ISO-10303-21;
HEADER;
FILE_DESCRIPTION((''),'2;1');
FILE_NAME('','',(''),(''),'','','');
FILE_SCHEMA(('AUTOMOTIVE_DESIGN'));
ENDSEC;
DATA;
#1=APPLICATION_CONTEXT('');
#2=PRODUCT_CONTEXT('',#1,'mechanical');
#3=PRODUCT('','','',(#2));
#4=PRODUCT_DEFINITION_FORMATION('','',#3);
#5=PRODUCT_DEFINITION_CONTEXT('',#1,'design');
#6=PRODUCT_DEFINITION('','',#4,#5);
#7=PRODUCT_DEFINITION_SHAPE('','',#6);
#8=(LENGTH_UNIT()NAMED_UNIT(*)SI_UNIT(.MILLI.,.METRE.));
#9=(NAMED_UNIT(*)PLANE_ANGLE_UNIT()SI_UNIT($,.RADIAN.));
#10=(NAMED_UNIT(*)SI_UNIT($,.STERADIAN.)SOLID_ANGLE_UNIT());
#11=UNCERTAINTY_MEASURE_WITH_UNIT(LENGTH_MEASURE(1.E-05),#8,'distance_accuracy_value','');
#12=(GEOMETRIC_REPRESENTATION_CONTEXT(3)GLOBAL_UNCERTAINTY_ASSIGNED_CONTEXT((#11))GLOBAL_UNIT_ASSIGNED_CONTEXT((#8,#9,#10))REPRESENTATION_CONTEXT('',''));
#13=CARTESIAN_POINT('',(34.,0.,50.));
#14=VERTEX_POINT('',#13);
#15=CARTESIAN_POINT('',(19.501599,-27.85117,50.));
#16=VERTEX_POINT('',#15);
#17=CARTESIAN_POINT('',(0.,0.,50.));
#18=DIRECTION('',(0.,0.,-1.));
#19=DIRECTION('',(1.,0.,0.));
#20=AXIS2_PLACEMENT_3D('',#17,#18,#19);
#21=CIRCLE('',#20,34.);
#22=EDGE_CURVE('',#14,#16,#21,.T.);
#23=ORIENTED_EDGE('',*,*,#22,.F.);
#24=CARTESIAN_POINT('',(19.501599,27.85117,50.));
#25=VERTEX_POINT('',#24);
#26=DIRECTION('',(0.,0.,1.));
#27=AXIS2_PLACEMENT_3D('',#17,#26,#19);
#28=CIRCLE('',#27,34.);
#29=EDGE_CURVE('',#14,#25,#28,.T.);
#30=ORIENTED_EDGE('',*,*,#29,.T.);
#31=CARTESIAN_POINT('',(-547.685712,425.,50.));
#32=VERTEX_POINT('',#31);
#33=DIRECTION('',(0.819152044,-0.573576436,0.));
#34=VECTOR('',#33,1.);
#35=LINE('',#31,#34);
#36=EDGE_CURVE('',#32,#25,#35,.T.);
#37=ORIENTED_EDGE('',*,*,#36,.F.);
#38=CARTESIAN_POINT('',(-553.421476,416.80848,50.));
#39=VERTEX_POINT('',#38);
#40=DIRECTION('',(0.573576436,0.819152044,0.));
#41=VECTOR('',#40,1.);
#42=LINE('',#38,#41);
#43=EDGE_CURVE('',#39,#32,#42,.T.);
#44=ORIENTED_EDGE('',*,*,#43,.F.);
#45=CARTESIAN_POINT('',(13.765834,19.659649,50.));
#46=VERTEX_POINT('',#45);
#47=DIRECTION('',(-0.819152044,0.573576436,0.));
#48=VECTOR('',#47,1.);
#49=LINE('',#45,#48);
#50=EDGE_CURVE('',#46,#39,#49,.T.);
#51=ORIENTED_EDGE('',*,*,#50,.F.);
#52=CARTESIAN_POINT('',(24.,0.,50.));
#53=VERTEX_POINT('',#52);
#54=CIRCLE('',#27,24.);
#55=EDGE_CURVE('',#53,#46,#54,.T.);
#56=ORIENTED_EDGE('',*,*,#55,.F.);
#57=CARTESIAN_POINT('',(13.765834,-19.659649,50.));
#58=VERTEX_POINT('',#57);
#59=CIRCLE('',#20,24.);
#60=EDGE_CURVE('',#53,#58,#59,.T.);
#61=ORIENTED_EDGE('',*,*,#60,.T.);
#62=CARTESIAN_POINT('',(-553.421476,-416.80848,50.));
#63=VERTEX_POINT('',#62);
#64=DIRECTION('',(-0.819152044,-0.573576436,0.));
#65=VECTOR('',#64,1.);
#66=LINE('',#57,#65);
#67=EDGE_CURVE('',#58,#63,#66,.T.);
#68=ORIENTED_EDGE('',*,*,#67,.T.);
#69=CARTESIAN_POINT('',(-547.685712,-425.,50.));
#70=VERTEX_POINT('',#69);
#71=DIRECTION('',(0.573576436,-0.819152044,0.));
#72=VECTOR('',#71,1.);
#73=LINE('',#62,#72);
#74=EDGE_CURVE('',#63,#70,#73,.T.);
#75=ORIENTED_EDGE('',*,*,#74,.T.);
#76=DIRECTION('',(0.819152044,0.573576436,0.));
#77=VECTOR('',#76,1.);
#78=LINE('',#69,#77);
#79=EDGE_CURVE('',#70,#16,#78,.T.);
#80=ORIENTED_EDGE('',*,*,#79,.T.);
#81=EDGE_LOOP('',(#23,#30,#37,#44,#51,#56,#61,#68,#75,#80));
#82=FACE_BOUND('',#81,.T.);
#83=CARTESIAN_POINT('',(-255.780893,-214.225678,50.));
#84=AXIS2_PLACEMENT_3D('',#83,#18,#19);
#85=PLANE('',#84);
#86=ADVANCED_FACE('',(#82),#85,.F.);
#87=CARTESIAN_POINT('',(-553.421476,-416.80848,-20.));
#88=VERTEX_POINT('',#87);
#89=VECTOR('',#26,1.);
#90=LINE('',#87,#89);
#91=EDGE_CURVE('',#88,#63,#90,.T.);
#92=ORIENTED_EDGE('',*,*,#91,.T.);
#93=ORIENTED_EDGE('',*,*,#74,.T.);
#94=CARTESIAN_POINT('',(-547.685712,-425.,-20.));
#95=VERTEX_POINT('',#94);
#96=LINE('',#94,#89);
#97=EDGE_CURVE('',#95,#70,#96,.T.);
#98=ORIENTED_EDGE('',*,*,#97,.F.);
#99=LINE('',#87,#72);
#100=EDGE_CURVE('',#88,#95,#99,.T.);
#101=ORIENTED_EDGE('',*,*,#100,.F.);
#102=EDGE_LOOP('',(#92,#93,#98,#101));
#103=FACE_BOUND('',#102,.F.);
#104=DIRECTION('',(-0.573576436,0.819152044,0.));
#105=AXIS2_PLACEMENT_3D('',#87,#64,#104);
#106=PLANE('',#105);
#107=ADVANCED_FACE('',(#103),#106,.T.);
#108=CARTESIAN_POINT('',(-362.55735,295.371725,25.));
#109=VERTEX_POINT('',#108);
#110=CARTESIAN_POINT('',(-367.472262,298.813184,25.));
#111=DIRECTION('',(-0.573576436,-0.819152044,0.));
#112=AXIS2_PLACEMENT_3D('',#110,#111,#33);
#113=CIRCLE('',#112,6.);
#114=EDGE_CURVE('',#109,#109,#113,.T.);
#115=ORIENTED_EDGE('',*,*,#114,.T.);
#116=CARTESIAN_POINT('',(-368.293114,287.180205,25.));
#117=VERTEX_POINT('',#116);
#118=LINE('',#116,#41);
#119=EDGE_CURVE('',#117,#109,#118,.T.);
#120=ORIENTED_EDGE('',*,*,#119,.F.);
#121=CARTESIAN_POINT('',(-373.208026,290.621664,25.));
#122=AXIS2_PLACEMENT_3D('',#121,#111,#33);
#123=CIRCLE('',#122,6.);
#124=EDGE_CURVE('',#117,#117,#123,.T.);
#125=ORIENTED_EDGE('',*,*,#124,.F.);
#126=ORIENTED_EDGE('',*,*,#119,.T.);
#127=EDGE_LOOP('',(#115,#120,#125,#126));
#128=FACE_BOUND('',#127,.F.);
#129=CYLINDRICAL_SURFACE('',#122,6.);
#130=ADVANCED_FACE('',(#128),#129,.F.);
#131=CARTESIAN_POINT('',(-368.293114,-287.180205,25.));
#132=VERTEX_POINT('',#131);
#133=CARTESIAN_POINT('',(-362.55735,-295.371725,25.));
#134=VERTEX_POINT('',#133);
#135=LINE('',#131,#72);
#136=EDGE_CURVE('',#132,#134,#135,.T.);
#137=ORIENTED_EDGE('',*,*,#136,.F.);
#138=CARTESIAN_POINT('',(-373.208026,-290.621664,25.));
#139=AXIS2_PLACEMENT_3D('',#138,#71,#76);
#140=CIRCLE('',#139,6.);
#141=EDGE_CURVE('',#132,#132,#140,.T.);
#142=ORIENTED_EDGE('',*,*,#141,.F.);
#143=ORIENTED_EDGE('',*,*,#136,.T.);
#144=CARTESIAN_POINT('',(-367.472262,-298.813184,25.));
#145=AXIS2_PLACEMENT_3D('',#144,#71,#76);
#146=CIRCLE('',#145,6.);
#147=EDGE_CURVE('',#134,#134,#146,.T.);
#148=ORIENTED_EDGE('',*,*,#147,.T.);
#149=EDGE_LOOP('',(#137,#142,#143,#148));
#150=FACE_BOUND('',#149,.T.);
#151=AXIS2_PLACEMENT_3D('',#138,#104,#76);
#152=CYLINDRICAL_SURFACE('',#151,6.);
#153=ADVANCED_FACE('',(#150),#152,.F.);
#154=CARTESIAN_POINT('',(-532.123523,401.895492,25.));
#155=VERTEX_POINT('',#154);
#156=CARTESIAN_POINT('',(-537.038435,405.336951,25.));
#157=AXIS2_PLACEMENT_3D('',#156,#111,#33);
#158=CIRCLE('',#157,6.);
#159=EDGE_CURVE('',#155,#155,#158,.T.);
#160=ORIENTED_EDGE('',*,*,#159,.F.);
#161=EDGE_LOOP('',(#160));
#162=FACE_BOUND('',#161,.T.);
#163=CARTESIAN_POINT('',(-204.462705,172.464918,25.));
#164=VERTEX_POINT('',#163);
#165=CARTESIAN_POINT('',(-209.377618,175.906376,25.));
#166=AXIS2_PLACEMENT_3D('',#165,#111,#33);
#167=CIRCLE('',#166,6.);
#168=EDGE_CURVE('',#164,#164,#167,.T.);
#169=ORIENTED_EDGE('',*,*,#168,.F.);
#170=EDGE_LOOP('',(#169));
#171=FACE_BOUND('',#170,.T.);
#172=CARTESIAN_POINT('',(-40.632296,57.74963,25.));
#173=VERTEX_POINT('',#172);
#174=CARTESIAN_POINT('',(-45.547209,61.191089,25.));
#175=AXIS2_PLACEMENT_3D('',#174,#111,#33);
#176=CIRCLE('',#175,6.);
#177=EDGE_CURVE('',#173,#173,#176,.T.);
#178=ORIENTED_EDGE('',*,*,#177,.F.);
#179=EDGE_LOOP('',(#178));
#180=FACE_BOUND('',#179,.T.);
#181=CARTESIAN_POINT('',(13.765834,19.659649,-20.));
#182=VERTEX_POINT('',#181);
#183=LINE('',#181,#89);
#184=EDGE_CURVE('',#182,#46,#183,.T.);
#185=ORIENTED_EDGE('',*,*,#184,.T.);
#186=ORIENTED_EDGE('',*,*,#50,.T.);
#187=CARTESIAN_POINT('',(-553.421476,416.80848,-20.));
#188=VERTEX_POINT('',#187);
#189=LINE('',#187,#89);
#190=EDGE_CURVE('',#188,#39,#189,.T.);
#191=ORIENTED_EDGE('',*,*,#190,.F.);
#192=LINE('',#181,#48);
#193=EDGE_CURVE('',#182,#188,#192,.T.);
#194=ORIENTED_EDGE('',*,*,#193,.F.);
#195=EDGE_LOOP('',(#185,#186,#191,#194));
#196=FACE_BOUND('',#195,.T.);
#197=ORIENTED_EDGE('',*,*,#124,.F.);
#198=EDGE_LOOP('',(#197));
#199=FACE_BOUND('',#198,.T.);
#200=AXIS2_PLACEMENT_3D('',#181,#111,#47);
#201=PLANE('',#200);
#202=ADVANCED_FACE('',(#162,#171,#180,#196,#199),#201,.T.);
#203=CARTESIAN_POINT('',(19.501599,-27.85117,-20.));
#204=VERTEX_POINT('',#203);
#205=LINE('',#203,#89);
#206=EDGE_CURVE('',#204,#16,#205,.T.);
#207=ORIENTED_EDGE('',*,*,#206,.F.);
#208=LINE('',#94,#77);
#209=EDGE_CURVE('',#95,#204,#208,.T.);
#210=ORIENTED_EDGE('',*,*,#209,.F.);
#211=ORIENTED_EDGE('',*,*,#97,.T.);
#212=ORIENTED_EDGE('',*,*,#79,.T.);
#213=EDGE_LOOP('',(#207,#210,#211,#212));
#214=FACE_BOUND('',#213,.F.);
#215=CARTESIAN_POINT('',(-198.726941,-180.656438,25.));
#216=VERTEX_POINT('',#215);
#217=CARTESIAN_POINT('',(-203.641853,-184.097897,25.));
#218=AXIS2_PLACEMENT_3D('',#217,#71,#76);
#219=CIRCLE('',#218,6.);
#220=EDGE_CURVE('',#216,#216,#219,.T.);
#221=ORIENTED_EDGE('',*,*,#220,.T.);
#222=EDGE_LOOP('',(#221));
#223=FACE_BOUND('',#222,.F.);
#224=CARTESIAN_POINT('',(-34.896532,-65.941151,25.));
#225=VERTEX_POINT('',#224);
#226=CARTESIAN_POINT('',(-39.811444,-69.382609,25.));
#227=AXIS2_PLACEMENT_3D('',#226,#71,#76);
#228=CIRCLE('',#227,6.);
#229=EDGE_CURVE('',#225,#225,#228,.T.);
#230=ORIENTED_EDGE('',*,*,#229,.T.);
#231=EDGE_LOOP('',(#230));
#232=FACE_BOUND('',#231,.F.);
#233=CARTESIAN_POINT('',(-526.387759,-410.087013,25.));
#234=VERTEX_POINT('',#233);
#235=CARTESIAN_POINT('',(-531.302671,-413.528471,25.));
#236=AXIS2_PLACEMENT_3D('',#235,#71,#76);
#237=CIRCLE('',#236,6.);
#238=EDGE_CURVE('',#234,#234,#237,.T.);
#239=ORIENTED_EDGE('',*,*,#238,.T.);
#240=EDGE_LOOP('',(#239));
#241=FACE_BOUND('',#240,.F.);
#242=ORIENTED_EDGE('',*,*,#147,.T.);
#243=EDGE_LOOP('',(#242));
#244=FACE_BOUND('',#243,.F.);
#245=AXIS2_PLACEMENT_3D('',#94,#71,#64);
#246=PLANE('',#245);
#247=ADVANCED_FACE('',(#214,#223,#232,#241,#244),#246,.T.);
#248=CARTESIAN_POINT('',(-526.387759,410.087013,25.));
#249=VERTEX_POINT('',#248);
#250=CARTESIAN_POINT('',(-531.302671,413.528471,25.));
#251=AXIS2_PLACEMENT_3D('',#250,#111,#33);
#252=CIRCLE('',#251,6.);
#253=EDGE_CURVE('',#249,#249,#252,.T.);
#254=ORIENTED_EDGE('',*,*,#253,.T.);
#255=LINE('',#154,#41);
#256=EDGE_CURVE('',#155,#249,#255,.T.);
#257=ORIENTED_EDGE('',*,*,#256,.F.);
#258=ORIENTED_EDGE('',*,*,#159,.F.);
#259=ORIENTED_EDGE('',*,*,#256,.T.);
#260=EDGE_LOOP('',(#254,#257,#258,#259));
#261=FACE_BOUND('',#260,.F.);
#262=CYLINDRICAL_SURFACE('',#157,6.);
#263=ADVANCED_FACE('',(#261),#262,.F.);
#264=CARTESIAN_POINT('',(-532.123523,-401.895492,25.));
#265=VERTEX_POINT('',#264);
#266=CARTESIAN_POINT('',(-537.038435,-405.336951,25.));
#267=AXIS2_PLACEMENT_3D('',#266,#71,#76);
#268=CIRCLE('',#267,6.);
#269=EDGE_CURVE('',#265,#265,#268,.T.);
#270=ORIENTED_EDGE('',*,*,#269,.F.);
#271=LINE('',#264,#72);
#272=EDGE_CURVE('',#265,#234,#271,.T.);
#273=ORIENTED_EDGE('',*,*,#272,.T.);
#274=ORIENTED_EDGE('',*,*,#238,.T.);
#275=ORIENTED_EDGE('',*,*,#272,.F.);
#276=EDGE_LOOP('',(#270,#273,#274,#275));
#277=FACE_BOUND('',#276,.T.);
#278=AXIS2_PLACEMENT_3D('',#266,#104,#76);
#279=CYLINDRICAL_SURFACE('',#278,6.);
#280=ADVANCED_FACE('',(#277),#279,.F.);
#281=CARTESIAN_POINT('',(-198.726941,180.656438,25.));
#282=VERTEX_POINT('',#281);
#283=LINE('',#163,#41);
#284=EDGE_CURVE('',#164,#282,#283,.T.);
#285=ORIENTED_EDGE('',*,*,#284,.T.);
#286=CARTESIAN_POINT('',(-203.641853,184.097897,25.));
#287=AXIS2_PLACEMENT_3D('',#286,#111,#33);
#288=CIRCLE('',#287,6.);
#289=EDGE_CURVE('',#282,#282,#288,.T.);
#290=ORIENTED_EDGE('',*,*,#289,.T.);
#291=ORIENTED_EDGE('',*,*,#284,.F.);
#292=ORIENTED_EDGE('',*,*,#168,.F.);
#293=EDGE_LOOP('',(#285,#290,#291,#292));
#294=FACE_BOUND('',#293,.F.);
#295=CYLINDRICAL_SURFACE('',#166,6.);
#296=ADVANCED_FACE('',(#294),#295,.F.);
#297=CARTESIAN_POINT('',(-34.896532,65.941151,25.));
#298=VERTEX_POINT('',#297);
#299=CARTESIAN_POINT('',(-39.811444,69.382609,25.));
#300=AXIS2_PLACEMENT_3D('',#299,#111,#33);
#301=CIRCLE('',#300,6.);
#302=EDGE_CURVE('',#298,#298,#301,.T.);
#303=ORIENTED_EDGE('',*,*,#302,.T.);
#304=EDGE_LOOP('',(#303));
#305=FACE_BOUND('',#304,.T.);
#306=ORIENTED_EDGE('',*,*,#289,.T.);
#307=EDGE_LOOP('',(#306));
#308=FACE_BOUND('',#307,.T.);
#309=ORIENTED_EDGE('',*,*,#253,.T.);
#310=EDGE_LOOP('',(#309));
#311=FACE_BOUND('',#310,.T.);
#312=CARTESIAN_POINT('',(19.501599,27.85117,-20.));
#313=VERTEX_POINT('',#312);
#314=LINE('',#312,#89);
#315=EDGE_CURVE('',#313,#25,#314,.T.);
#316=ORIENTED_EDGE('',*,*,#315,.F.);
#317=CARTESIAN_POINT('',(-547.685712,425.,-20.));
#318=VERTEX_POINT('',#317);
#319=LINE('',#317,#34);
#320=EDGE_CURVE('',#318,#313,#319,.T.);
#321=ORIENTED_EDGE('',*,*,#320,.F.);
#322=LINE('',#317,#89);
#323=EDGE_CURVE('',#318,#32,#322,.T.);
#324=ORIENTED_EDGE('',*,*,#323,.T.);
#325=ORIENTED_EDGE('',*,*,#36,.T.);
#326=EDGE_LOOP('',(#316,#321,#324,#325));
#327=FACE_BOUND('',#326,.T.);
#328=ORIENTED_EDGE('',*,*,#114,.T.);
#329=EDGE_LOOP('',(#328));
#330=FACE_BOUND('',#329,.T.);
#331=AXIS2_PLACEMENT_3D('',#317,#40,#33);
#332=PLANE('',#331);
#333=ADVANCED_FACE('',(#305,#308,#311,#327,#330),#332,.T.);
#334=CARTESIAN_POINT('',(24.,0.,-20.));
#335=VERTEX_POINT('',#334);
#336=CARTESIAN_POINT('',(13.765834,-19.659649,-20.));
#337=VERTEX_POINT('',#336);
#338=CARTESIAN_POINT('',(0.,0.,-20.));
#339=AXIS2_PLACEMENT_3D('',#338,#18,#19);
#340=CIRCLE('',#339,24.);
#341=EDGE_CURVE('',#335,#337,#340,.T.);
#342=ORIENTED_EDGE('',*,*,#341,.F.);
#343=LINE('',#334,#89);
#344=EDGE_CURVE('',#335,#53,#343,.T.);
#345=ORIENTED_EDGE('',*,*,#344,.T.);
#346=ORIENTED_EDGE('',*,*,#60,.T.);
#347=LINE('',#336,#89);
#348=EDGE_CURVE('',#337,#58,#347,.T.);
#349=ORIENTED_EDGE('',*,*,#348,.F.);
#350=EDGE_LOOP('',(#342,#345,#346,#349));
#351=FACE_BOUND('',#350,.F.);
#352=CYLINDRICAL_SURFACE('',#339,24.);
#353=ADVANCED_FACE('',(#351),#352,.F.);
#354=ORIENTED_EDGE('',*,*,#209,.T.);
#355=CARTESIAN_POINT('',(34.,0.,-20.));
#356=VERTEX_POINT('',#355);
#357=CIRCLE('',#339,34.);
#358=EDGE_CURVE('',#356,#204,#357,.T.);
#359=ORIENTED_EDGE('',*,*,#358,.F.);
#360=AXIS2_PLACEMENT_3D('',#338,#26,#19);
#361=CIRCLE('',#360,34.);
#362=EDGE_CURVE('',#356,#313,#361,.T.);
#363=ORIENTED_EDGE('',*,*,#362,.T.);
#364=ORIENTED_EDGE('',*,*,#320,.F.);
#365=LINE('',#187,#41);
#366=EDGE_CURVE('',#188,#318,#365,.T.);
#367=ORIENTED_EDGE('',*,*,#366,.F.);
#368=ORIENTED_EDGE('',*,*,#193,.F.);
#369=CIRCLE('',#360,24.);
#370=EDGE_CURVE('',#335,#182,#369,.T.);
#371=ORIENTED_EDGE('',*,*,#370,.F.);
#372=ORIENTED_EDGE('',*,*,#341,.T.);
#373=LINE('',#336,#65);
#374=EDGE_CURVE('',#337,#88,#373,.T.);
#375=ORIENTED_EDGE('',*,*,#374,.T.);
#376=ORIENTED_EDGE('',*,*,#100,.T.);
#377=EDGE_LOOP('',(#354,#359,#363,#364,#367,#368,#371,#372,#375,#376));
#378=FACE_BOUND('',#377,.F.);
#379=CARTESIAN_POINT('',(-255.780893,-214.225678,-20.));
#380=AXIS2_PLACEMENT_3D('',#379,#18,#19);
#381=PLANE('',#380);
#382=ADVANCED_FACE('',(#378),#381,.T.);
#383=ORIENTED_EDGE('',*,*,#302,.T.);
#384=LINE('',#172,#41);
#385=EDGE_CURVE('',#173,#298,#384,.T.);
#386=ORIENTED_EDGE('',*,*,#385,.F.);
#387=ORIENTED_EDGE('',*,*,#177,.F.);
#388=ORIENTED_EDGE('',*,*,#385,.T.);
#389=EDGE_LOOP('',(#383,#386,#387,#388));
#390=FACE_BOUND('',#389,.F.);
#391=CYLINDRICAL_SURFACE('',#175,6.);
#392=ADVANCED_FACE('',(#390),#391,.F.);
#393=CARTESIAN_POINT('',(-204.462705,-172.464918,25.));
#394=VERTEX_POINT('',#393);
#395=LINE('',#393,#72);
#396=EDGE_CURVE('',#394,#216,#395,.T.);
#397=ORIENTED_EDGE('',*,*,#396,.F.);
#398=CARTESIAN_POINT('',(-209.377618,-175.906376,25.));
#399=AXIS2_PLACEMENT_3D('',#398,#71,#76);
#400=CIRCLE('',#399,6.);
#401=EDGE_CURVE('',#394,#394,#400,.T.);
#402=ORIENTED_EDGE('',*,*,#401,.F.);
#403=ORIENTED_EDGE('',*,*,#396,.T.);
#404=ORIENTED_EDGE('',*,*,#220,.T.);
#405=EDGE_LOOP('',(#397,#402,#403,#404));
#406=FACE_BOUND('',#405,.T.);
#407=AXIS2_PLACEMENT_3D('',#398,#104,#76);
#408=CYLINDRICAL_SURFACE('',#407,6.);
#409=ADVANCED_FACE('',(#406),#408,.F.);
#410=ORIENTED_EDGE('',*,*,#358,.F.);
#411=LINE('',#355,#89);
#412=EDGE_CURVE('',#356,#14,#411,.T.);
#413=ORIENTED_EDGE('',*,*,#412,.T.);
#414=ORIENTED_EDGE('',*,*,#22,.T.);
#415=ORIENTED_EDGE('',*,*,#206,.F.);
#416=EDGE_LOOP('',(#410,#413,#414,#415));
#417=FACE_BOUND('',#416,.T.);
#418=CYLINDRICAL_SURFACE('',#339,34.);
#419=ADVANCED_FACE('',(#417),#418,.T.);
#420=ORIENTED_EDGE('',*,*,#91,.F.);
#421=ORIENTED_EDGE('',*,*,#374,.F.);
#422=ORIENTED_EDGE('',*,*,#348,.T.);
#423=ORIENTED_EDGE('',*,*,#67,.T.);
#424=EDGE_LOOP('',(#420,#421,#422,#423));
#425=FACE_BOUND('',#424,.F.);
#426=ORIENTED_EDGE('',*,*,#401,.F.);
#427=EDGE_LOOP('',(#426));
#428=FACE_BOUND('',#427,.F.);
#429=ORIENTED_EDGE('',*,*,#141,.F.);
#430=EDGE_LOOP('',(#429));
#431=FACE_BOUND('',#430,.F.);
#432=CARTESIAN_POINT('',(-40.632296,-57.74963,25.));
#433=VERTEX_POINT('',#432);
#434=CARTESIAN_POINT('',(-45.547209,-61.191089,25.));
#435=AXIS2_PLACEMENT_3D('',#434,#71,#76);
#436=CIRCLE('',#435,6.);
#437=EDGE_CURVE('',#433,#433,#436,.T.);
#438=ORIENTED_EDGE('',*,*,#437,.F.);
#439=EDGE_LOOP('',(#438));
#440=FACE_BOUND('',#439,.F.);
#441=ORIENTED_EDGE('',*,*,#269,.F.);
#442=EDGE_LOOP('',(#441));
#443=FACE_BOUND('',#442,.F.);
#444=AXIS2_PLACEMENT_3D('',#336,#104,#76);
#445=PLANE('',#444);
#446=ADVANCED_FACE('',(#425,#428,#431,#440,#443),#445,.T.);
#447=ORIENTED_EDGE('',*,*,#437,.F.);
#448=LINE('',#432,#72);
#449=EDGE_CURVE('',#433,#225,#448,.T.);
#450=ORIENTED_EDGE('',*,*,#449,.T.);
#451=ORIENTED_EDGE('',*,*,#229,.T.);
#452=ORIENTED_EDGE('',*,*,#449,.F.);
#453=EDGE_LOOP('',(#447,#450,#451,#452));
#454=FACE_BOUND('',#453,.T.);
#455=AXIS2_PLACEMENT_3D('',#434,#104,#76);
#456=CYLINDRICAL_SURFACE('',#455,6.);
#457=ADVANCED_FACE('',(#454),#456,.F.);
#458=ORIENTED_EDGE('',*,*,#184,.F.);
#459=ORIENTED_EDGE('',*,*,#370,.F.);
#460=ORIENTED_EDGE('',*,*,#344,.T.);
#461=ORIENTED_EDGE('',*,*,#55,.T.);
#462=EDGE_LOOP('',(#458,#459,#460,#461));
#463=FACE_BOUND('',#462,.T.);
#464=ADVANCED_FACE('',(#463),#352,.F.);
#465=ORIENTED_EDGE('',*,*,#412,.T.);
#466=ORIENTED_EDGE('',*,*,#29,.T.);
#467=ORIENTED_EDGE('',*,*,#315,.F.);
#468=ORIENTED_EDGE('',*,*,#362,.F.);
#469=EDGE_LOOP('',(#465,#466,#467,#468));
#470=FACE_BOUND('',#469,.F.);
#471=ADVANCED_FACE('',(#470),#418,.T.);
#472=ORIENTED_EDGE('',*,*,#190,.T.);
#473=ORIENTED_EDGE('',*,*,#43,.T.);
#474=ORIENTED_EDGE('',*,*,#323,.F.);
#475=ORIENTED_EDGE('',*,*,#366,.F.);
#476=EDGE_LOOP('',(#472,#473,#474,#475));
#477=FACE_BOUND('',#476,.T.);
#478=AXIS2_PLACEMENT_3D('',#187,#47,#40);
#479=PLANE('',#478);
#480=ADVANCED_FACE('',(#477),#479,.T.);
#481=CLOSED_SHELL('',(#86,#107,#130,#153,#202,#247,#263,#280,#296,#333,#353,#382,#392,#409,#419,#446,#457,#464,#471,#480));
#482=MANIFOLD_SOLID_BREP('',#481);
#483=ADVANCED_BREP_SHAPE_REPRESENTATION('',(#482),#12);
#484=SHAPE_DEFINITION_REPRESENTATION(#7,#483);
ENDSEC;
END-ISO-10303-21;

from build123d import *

# Parameters (mm, degrees)
PAD002_DEPTH           = 70
SKETCH006_R            = 6
POCKET002_DEPTH        = 30
SKETCH007_R            = 6
POCKET003_DEPTH        = 343.6422176588
LINEARPATTERN001_COUNT = 4
LINEARPATTERN001_PITCH = 200


with BuildPart() as part:
    # Sketch004 → Pad002 (new body)
    with BuildSketch(Plane.XY):
        with BuildLine():
            Line((-547.6857118143, 425), (19.5015988359, 27.8511695058))
            ThreePointArc((34, 0), (30.1583683281, 15.69945285), (19.5015988359, 27.8511695058))
            Line((24, 0), (34, 0))
            ThreePointArc((24, 0), (21.2882599963, 11.0819667176), (13.7658344724, 19.6596490629))
            Line((13.7658344724, 19.6596490629), (-553.4214761778, 416.8084795571))
            Line((-553.4214761778, 416.8084795571), (-547.6857118143, 425))
        make_face()
    extrude(amount=PAD002_DEPTH)

    # Sketch006 → Pocket002 (cut)
    with BuildSketch(Plane(origin=(0, 126.75, 0), x_dir=(-1, 0, 0), z_dir=(0, 1, 0))):
        with Locations((26.7405688034, 25.24131)):
            Circle(SKETCH006_R)
    extrude(amount=-POCKET002_DEPTH, mode=Mode.SUBTRACT)

    # Sketch007 (on Face2 of Pocket002) → Pocket003 (cut, through all)
    with BuildSketch(Plane(origin=(13.7658344724, 19.6596490629, 0), x_dir=(0.8191520443, -0.5735764364, 0), z_dir=(-0.5735764364, -0.8191520443, 0))):
        with Locations((-672.4078559097, 45)):
            Circle(SKETCH007_R)
    pocket003 = extrude(amount=-POCKET003_DEPTH, mode=Mode.SUBTRACT)

    # LinearPattern001: Pocket003 ×4
    with Locations(*[Vector(0.8191520443, -0.5735764364, 0) * (i * LINEARPATTERN001_PITCH) for i in range(1, LINEARPATTERN001_COUNT)]):
        add(pocket003, mode=Mode.SUBTRACT)

    # Mirrored001: part across XZ


with BuildPart() as part_1:
    add(part.part)
    add(part.part.mirror(Plane.XZ))


with BuildPart() as part_2:
    # Body001 placement: moved
    add(part_1.part.moved(Location((0, 0, -20))))


solid = part_2.part
